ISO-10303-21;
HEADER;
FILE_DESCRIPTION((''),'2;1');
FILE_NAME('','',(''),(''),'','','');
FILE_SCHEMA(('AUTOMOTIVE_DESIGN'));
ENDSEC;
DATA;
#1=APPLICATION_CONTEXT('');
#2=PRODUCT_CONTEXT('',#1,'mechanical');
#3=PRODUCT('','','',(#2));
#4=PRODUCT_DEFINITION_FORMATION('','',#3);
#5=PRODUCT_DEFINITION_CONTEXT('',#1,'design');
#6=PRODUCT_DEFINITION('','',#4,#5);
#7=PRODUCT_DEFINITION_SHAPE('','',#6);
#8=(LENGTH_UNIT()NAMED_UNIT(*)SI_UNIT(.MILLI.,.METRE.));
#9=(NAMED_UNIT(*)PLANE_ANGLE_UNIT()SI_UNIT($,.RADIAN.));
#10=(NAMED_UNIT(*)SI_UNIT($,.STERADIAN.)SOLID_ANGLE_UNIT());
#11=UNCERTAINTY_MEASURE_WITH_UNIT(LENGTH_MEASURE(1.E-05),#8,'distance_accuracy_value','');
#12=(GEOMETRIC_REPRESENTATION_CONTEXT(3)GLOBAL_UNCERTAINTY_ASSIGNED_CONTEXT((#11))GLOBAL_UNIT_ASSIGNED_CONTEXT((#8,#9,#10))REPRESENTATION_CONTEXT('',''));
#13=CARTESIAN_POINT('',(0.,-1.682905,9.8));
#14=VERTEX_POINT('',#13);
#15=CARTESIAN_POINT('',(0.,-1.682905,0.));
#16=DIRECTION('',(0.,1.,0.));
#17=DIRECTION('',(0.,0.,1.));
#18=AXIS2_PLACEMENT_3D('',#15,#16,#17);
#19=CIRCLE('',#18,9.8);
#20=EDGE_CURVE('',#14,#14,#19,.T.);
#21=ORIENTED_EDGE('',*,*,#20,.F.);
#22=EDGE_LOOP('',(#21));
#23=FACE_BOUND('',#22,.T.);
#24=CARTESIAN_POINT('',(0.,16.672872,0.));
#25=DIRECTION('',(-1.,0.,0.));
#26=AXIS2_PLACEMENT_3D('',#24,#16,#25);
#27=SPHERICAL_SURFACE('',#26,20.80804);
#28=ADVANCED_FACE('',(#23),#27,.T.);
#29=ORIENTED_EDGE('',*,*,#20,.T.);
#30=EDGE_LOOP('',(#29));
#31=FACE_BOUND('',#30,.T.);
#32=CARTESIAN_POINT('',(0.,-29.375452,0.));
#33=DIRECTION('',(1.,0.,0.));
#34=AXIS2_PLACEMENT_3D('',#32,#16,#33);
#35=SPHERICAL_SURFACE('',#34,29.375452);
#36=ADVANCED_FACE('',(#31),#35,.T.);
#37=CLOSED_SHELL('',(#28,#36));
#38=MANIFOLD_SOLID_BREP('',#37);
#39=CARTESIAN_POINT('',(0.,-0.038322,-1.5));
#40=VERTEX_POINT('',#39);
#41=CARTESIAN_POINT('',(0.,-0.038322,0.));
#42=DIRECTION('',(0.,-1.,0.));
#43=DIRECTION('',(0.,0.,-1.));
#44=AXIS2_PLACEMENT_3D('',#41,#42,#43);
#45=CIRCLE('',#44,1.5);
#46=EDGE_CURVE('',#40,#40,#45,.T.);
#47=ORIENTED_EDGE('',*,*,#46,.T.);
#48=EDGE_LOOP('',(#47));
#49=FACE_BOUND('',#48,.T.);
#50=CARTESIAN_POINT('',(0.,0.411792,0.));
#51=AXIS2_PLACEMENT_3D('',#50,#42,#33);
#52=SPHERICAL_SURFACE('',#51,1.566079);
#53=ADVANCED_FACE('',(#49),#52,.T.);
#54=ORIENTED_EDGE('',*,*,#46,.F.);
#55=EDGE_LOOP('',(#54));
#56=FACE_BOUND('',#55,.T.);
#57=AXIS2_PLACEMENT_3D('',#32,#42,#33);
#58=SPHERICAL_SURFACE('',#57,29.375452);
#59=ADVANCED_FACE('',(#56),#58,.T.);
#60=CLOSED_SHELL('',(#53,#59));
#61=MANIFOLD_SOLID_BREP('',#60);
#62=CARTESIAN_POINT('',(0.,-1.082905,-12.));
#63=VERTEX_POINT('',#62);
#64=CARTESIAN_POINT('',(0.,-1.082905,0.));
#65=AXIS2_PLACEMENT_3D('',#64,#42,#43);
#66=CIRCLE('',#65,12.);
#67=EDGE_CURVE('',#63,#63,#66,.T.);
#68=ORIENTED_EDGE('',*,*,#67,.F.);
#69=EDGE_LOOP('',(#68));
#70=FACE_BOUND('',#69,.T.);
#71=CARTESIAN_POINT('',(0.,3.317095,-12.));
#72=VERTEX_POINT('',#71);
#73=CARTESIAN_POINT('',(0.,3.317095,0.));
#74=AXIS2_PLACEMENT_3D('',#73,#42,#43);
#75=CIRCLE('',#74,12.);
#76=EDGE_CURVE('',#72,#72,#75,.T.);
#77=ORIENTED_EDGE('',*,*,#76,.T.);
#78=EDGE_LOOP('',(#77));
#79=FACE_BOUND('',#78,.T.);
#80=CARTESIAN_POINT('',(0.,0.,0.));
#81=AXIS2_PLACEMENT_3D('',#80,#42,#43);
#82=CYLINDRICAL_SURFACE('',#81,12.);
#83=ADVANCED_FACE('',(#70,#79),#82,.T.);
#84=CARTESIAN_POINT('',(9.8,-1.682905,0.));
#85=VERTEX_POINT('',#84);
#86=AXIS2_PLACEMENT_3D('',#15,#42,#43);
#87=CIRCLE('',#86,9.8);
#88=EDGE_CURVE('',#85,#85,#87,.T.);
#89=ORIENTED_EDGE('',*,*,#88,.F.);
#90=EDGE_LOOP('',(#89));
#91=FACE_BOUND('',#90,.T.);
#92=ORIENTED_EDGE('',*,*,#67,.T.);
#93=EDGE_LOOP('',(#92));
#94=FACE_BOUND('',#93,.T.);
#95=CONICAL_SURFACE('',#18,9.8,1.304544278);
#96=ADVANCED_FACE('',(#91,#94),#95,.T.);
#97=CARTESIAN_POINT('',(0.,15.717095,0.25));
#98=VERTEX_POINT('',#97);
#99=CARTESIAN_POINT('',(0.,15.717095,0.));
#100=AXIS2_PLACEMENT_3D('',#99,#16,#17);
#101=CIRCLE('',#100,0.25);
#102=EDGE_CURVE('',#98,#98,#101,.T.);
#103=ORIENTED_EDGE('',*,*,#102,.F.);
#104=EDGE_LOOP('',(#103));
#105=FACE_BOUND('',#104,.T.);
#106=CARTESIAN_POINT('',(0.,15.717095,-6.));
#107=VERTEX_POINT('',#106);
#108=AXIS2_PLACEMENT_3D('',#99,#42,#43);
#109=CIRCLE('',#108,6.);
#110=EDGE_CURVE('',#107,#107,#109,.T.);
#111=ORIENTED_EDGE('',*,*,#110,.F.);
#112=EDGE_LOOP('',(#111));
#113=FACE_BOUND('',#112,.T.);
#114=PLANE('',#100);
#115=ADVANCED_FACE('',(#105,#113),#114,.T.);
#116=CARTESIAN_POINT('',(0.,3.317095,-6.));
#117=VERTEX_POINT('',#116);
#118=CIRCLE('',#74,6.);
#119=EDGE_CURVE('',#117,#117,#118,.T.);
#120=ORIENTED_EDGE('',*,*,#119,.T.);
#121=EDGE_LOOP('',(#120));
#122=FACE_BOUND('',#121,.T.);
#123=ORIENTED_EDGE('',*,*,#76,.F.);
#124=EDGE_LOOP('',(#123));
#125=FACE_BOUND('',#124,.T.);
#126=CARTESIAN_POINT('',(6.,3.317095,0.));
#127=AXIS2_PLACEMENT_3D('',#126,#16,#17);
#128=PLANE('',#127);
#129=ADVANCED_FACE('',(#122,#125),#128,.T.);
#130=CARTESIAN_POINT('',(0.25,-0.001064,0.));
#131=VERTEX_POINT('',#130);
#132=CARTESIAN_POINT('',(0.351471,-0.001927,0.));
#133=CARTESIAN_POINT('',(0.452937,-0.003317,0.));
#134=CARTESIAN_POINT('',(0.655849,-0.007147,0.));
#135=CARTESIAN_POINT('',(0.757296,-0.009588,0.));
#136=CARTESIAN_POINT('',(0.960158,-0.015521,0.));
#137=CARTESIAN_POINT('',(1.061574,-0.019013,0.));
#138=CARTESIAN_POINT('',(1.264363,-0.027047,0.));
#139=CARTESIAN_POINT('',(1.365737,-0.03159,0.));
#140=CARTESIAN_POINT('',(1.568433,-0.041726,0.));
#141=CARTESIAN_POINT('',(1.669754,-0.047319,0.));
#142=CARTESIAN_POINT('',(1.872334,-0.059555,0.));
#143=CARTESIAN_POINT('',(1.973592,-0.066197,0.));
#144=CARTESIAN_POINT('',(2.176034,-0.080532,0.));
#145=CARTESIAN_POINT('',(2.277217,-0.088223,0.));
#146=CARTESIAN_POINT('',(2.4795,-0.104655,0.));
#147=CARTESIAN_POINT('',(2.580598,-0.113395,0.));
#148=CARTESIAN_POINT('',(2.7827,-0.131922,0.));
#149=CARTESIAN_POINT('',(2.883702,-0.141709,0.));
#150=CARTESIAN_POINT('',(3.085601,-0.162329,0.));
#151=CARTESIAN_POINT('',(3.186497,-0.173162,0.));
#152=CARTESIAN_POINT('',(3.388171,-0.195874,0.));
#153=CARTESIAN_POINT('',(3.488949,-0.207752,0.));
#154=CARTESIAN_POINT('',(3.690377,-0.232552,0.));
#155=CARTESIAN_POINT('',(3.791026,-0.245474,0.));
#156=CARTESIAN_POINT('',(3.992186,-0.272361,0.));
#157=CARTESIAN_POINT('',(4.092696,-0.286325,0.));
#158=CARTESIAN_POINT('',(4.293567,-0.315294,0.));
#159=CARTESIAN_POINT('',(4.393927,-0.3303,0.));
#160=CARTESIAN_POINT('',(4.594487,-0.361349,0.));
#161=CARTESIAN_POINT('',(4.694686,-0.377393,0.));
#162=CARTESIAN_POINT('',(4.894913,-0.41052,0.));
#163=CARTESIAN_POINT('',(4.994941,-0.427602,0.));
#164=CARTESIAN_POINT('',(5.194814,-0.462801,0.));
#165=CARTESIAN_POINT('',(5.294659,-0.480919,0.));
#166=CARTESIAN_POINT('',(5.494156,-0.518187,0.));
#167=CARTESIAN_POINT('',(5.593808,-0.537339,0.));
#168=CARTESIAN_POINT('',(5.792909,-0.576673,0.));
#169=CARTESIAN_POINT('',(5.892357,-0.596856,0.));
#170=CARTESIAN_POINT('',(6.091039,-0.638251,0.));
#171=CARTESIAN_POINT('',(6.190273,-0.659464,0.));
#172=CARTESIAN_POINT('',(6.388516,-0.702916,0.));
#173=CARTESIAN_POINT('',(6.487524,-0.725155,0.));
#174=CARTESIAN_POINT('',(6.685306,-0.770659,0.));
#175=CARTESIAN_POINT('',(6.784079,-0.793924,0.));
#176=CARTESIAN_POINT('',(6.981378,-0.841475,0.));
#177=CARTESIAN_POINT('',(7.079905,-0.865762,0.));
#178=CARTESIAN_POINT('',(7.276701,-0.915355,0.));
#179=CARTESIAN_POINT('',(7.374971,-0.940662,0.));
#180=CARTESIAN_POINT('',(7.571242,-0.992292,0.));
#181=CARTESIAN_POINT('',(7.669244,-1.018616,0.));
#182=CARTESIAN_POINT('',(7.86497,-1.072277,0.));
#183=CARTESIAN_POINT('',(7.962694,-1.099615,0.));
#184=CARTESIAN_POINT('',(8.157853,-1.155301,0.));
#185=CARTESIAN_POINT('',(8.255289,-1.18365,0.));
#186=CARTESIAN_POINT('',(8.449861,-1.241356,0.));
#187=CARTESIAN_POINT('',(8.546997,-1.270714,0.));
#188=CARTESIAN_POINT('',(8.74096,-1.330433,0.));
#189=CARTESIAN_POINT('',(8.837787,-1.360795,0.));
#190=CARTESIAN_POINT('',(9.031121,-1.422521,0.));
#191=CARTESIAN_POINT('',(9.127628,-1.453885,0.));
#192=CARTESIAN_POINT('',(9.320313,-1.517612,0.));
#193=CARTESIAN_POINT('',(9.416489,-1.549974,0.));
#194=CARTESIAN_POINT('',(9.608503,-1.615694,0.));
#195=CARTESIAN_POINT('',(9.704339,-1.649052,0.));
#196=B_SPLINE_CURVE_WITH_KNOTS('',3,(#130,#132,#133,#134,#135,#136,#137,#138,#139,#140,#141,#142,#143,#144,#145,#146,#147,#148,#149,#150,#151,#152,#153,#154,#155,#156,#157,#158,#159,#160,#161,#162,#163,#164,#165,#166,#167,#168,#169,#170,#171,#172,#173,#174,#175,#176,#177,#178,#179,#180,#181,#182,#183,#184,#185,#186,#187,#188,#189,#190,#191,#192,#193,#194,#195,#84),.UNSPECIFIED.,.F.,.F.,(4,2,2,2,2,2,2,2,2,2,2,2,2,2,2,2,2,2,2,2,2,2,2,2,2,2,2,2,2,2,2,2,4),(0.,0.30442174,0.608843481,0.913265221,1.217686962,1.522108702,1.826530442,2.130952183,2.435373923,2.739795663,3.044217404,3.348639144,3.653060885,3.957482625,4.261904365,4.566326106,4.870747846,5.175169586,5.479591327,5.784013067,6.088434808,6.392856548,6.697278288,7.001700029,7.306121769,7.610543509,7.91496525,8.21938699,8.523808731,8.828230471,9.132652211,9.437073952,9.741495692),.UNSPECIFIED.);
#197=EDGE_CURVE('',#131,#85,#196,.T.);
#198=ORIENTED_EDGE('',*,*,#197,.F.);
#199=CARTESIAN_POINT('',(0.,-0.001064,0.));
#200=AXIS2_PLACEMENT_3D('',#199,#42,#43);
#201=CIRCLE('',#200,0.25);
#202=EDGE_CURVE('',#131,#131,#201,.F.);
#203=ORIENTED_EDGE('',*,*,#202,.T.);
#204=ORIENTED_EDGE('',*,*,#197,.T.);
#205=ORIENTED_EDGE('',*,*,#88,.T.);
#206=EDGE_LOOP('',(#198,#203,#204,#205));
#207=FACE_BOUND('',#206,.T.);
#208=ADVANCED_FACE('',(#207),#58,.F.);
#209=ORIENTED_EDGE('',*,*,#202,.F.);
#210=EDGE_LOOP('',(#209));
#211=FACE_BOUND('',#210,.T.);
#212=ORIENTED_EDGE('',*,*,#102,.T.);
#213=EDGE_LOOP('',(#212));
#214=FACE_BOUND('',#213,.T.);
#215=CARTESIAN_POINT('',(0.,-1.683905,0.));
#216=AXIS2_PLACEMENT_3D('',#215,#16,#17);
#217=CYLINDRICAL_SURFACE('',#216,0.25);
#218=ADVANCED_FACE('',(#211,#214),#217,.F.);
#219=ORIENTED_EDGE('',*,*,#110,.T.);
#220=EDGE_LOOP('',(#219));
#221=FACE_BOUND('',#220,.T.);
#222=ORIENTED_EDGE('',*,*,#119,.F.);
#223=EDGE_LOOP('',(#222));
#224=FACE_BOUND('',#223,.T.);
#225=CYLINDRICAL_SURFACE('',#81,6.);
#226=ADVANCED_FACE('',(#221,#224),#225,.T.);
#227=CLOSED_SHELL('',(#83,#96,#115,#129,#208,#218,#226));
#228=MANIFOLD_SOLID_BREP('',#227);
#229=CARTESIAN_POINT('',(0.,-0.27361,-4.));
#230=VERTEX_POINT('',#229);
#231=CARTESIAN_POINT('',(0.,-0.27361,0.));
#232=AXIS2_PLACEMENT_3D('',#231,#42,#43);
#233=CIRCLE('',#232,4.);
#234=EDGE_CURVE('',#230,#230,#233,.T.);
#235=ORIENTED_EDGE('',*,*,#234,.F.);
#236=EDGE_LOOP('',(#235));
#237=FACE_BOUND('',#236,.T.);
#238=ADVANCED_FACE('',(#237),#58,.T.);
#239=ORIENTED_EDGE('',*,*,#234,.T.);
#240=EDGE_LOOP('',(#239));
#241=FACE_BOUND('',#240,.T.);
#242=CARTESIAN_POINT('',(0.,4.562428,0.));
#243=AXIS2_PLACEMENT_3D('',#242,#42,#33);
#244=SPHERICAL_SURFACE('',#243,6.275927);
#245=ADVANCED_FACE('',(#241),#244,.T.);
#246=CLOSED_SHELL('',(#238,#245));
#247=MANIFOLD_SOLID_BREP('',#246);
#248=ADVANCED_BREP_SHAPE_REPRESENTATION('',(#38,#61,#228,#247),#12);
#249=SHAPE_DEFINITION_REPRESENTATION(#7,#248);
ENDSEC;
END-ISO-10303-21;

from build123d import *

# Parameters (mm, degrees)
CUT_EXTRUDE1_REACH      = 26.306
CUT_EXTRUDE1_END_RADIUS = 29.375452146
SKETCH4_R               = 0.25


with BuildPart() as part:
    # Sketch1 → Revolve1 (revolve)
    with BuildSketch(Plane.XY, mode=Mode.PRIVATE) as revolve1_sk:
        with BuildLine():
            Line((0, 0), (0, 15.717095385))
            Line((0, 15.717095385), (6, 15.717095385))
            Line((6, 15.717095385), (6, 3.317095385))
            Line((6, 3.317095385), (12, 3.317095385))
            Line((12, 3.317095385), (12, -1.082904615))
            Line((12, -1.082904615), (9.8, -1.682904615))
            ThreePointArc((9.8, -1.682904615), (4.971724247, -0.423782992), (0, 0))
        make_face()
    revolve(revolve1_sk.sketch.rotate(Axis((0, 0, 0), (0, 1, 0)), 90), axis=Axis((0, 0, 0), (0, 1, 0)))

    # Cut-Extrude1: up to this sphere (the profile starts outside it)
    cut_extrude1_end = Location((0, -29.375452146, 0)) * Sphere(CUT_EXTRUDE1_END_RADIUS, mode=Mode.PRIVATE)
    # Sketch4 → Cut-Extrude1 (cut, up to the surface)
    with BuildSketch(Plane(origin=(0, 15.717095385, 0), x_dir=(1, 0, 0), z_dir=(0, 1, 0)), mode=Mode.PRIVATE) as cut_extrude1_sk1:
        with Locations(Location((0, 0, 0), (0, 0, 270))):
            Circle(SKETCH4_R)
    cut_extrude1_tool1 = extrude(cut_extrude1_sk1.sketch, amount=-CUT_EXTRUDE1_REACH, mode=Mode.PRIVATE) - cut_extrude1_end
    add(cut_extrude1_tool1.solids().sort_by_distance((0, 15.717095, 0))[0], mode=Mode.SUBTRACT)


with BuildPart() as body_2:
    # Sketch3 → Revolve2 (revolve)
    with BuildSketch(Plane.XY):
        with BuildLine():
            ThreePointArc((1.5, -0.03832228), (0.750244726, -0.009582133), (0, 0))
            Line((0, 0), (0, -1.154286574))
            ThreePointArc((0, -1.154286574), (0.934796275, -0.844694465), (1.5, -0.03832228))
        make_face()
    revolve(axis=Axis((0, 0, 0), (0, 1, 0)))


with BuildPart() as body_3:
    # Sketch5 → Revolve3 (revolve)
    with BuildSketch(Plane.XY):
        with BuildLine():
            ThreePointArc((4, -0.273610473), (2.004673458, -0.068482444), (0, 0))
            Line((0, 0), (0, -1.713499762))
            ThreePointArc((0, -1.713499762), (2.125634092, -1.342565538), (4, -0.273610473))
        make_face()
    revolve(axis=Axis((0, 0, 0), (0, 1, 0)))


with BuildPart() as body_4:
    # Sketch7 → Revolve4 (revolve)
    with BuildSketch(Plane.XY):
        with BuildLine():
            Line((0, 0), (0, -4.135168159))
            ThreePointArc((0, -4.135168159), (5.051079006, -3.5127946), (9.8, -1.682904615))
            ThreePointArc((9.8, -1.682904615), (4.971724247, -0.423782992), (0, 0))
        make_face()
    revolve(axis=Axis((0, 0, 0), (0, -1, 0)))


solid = Compound([part.part, body_2.part, body_3.part, body_4.part])
